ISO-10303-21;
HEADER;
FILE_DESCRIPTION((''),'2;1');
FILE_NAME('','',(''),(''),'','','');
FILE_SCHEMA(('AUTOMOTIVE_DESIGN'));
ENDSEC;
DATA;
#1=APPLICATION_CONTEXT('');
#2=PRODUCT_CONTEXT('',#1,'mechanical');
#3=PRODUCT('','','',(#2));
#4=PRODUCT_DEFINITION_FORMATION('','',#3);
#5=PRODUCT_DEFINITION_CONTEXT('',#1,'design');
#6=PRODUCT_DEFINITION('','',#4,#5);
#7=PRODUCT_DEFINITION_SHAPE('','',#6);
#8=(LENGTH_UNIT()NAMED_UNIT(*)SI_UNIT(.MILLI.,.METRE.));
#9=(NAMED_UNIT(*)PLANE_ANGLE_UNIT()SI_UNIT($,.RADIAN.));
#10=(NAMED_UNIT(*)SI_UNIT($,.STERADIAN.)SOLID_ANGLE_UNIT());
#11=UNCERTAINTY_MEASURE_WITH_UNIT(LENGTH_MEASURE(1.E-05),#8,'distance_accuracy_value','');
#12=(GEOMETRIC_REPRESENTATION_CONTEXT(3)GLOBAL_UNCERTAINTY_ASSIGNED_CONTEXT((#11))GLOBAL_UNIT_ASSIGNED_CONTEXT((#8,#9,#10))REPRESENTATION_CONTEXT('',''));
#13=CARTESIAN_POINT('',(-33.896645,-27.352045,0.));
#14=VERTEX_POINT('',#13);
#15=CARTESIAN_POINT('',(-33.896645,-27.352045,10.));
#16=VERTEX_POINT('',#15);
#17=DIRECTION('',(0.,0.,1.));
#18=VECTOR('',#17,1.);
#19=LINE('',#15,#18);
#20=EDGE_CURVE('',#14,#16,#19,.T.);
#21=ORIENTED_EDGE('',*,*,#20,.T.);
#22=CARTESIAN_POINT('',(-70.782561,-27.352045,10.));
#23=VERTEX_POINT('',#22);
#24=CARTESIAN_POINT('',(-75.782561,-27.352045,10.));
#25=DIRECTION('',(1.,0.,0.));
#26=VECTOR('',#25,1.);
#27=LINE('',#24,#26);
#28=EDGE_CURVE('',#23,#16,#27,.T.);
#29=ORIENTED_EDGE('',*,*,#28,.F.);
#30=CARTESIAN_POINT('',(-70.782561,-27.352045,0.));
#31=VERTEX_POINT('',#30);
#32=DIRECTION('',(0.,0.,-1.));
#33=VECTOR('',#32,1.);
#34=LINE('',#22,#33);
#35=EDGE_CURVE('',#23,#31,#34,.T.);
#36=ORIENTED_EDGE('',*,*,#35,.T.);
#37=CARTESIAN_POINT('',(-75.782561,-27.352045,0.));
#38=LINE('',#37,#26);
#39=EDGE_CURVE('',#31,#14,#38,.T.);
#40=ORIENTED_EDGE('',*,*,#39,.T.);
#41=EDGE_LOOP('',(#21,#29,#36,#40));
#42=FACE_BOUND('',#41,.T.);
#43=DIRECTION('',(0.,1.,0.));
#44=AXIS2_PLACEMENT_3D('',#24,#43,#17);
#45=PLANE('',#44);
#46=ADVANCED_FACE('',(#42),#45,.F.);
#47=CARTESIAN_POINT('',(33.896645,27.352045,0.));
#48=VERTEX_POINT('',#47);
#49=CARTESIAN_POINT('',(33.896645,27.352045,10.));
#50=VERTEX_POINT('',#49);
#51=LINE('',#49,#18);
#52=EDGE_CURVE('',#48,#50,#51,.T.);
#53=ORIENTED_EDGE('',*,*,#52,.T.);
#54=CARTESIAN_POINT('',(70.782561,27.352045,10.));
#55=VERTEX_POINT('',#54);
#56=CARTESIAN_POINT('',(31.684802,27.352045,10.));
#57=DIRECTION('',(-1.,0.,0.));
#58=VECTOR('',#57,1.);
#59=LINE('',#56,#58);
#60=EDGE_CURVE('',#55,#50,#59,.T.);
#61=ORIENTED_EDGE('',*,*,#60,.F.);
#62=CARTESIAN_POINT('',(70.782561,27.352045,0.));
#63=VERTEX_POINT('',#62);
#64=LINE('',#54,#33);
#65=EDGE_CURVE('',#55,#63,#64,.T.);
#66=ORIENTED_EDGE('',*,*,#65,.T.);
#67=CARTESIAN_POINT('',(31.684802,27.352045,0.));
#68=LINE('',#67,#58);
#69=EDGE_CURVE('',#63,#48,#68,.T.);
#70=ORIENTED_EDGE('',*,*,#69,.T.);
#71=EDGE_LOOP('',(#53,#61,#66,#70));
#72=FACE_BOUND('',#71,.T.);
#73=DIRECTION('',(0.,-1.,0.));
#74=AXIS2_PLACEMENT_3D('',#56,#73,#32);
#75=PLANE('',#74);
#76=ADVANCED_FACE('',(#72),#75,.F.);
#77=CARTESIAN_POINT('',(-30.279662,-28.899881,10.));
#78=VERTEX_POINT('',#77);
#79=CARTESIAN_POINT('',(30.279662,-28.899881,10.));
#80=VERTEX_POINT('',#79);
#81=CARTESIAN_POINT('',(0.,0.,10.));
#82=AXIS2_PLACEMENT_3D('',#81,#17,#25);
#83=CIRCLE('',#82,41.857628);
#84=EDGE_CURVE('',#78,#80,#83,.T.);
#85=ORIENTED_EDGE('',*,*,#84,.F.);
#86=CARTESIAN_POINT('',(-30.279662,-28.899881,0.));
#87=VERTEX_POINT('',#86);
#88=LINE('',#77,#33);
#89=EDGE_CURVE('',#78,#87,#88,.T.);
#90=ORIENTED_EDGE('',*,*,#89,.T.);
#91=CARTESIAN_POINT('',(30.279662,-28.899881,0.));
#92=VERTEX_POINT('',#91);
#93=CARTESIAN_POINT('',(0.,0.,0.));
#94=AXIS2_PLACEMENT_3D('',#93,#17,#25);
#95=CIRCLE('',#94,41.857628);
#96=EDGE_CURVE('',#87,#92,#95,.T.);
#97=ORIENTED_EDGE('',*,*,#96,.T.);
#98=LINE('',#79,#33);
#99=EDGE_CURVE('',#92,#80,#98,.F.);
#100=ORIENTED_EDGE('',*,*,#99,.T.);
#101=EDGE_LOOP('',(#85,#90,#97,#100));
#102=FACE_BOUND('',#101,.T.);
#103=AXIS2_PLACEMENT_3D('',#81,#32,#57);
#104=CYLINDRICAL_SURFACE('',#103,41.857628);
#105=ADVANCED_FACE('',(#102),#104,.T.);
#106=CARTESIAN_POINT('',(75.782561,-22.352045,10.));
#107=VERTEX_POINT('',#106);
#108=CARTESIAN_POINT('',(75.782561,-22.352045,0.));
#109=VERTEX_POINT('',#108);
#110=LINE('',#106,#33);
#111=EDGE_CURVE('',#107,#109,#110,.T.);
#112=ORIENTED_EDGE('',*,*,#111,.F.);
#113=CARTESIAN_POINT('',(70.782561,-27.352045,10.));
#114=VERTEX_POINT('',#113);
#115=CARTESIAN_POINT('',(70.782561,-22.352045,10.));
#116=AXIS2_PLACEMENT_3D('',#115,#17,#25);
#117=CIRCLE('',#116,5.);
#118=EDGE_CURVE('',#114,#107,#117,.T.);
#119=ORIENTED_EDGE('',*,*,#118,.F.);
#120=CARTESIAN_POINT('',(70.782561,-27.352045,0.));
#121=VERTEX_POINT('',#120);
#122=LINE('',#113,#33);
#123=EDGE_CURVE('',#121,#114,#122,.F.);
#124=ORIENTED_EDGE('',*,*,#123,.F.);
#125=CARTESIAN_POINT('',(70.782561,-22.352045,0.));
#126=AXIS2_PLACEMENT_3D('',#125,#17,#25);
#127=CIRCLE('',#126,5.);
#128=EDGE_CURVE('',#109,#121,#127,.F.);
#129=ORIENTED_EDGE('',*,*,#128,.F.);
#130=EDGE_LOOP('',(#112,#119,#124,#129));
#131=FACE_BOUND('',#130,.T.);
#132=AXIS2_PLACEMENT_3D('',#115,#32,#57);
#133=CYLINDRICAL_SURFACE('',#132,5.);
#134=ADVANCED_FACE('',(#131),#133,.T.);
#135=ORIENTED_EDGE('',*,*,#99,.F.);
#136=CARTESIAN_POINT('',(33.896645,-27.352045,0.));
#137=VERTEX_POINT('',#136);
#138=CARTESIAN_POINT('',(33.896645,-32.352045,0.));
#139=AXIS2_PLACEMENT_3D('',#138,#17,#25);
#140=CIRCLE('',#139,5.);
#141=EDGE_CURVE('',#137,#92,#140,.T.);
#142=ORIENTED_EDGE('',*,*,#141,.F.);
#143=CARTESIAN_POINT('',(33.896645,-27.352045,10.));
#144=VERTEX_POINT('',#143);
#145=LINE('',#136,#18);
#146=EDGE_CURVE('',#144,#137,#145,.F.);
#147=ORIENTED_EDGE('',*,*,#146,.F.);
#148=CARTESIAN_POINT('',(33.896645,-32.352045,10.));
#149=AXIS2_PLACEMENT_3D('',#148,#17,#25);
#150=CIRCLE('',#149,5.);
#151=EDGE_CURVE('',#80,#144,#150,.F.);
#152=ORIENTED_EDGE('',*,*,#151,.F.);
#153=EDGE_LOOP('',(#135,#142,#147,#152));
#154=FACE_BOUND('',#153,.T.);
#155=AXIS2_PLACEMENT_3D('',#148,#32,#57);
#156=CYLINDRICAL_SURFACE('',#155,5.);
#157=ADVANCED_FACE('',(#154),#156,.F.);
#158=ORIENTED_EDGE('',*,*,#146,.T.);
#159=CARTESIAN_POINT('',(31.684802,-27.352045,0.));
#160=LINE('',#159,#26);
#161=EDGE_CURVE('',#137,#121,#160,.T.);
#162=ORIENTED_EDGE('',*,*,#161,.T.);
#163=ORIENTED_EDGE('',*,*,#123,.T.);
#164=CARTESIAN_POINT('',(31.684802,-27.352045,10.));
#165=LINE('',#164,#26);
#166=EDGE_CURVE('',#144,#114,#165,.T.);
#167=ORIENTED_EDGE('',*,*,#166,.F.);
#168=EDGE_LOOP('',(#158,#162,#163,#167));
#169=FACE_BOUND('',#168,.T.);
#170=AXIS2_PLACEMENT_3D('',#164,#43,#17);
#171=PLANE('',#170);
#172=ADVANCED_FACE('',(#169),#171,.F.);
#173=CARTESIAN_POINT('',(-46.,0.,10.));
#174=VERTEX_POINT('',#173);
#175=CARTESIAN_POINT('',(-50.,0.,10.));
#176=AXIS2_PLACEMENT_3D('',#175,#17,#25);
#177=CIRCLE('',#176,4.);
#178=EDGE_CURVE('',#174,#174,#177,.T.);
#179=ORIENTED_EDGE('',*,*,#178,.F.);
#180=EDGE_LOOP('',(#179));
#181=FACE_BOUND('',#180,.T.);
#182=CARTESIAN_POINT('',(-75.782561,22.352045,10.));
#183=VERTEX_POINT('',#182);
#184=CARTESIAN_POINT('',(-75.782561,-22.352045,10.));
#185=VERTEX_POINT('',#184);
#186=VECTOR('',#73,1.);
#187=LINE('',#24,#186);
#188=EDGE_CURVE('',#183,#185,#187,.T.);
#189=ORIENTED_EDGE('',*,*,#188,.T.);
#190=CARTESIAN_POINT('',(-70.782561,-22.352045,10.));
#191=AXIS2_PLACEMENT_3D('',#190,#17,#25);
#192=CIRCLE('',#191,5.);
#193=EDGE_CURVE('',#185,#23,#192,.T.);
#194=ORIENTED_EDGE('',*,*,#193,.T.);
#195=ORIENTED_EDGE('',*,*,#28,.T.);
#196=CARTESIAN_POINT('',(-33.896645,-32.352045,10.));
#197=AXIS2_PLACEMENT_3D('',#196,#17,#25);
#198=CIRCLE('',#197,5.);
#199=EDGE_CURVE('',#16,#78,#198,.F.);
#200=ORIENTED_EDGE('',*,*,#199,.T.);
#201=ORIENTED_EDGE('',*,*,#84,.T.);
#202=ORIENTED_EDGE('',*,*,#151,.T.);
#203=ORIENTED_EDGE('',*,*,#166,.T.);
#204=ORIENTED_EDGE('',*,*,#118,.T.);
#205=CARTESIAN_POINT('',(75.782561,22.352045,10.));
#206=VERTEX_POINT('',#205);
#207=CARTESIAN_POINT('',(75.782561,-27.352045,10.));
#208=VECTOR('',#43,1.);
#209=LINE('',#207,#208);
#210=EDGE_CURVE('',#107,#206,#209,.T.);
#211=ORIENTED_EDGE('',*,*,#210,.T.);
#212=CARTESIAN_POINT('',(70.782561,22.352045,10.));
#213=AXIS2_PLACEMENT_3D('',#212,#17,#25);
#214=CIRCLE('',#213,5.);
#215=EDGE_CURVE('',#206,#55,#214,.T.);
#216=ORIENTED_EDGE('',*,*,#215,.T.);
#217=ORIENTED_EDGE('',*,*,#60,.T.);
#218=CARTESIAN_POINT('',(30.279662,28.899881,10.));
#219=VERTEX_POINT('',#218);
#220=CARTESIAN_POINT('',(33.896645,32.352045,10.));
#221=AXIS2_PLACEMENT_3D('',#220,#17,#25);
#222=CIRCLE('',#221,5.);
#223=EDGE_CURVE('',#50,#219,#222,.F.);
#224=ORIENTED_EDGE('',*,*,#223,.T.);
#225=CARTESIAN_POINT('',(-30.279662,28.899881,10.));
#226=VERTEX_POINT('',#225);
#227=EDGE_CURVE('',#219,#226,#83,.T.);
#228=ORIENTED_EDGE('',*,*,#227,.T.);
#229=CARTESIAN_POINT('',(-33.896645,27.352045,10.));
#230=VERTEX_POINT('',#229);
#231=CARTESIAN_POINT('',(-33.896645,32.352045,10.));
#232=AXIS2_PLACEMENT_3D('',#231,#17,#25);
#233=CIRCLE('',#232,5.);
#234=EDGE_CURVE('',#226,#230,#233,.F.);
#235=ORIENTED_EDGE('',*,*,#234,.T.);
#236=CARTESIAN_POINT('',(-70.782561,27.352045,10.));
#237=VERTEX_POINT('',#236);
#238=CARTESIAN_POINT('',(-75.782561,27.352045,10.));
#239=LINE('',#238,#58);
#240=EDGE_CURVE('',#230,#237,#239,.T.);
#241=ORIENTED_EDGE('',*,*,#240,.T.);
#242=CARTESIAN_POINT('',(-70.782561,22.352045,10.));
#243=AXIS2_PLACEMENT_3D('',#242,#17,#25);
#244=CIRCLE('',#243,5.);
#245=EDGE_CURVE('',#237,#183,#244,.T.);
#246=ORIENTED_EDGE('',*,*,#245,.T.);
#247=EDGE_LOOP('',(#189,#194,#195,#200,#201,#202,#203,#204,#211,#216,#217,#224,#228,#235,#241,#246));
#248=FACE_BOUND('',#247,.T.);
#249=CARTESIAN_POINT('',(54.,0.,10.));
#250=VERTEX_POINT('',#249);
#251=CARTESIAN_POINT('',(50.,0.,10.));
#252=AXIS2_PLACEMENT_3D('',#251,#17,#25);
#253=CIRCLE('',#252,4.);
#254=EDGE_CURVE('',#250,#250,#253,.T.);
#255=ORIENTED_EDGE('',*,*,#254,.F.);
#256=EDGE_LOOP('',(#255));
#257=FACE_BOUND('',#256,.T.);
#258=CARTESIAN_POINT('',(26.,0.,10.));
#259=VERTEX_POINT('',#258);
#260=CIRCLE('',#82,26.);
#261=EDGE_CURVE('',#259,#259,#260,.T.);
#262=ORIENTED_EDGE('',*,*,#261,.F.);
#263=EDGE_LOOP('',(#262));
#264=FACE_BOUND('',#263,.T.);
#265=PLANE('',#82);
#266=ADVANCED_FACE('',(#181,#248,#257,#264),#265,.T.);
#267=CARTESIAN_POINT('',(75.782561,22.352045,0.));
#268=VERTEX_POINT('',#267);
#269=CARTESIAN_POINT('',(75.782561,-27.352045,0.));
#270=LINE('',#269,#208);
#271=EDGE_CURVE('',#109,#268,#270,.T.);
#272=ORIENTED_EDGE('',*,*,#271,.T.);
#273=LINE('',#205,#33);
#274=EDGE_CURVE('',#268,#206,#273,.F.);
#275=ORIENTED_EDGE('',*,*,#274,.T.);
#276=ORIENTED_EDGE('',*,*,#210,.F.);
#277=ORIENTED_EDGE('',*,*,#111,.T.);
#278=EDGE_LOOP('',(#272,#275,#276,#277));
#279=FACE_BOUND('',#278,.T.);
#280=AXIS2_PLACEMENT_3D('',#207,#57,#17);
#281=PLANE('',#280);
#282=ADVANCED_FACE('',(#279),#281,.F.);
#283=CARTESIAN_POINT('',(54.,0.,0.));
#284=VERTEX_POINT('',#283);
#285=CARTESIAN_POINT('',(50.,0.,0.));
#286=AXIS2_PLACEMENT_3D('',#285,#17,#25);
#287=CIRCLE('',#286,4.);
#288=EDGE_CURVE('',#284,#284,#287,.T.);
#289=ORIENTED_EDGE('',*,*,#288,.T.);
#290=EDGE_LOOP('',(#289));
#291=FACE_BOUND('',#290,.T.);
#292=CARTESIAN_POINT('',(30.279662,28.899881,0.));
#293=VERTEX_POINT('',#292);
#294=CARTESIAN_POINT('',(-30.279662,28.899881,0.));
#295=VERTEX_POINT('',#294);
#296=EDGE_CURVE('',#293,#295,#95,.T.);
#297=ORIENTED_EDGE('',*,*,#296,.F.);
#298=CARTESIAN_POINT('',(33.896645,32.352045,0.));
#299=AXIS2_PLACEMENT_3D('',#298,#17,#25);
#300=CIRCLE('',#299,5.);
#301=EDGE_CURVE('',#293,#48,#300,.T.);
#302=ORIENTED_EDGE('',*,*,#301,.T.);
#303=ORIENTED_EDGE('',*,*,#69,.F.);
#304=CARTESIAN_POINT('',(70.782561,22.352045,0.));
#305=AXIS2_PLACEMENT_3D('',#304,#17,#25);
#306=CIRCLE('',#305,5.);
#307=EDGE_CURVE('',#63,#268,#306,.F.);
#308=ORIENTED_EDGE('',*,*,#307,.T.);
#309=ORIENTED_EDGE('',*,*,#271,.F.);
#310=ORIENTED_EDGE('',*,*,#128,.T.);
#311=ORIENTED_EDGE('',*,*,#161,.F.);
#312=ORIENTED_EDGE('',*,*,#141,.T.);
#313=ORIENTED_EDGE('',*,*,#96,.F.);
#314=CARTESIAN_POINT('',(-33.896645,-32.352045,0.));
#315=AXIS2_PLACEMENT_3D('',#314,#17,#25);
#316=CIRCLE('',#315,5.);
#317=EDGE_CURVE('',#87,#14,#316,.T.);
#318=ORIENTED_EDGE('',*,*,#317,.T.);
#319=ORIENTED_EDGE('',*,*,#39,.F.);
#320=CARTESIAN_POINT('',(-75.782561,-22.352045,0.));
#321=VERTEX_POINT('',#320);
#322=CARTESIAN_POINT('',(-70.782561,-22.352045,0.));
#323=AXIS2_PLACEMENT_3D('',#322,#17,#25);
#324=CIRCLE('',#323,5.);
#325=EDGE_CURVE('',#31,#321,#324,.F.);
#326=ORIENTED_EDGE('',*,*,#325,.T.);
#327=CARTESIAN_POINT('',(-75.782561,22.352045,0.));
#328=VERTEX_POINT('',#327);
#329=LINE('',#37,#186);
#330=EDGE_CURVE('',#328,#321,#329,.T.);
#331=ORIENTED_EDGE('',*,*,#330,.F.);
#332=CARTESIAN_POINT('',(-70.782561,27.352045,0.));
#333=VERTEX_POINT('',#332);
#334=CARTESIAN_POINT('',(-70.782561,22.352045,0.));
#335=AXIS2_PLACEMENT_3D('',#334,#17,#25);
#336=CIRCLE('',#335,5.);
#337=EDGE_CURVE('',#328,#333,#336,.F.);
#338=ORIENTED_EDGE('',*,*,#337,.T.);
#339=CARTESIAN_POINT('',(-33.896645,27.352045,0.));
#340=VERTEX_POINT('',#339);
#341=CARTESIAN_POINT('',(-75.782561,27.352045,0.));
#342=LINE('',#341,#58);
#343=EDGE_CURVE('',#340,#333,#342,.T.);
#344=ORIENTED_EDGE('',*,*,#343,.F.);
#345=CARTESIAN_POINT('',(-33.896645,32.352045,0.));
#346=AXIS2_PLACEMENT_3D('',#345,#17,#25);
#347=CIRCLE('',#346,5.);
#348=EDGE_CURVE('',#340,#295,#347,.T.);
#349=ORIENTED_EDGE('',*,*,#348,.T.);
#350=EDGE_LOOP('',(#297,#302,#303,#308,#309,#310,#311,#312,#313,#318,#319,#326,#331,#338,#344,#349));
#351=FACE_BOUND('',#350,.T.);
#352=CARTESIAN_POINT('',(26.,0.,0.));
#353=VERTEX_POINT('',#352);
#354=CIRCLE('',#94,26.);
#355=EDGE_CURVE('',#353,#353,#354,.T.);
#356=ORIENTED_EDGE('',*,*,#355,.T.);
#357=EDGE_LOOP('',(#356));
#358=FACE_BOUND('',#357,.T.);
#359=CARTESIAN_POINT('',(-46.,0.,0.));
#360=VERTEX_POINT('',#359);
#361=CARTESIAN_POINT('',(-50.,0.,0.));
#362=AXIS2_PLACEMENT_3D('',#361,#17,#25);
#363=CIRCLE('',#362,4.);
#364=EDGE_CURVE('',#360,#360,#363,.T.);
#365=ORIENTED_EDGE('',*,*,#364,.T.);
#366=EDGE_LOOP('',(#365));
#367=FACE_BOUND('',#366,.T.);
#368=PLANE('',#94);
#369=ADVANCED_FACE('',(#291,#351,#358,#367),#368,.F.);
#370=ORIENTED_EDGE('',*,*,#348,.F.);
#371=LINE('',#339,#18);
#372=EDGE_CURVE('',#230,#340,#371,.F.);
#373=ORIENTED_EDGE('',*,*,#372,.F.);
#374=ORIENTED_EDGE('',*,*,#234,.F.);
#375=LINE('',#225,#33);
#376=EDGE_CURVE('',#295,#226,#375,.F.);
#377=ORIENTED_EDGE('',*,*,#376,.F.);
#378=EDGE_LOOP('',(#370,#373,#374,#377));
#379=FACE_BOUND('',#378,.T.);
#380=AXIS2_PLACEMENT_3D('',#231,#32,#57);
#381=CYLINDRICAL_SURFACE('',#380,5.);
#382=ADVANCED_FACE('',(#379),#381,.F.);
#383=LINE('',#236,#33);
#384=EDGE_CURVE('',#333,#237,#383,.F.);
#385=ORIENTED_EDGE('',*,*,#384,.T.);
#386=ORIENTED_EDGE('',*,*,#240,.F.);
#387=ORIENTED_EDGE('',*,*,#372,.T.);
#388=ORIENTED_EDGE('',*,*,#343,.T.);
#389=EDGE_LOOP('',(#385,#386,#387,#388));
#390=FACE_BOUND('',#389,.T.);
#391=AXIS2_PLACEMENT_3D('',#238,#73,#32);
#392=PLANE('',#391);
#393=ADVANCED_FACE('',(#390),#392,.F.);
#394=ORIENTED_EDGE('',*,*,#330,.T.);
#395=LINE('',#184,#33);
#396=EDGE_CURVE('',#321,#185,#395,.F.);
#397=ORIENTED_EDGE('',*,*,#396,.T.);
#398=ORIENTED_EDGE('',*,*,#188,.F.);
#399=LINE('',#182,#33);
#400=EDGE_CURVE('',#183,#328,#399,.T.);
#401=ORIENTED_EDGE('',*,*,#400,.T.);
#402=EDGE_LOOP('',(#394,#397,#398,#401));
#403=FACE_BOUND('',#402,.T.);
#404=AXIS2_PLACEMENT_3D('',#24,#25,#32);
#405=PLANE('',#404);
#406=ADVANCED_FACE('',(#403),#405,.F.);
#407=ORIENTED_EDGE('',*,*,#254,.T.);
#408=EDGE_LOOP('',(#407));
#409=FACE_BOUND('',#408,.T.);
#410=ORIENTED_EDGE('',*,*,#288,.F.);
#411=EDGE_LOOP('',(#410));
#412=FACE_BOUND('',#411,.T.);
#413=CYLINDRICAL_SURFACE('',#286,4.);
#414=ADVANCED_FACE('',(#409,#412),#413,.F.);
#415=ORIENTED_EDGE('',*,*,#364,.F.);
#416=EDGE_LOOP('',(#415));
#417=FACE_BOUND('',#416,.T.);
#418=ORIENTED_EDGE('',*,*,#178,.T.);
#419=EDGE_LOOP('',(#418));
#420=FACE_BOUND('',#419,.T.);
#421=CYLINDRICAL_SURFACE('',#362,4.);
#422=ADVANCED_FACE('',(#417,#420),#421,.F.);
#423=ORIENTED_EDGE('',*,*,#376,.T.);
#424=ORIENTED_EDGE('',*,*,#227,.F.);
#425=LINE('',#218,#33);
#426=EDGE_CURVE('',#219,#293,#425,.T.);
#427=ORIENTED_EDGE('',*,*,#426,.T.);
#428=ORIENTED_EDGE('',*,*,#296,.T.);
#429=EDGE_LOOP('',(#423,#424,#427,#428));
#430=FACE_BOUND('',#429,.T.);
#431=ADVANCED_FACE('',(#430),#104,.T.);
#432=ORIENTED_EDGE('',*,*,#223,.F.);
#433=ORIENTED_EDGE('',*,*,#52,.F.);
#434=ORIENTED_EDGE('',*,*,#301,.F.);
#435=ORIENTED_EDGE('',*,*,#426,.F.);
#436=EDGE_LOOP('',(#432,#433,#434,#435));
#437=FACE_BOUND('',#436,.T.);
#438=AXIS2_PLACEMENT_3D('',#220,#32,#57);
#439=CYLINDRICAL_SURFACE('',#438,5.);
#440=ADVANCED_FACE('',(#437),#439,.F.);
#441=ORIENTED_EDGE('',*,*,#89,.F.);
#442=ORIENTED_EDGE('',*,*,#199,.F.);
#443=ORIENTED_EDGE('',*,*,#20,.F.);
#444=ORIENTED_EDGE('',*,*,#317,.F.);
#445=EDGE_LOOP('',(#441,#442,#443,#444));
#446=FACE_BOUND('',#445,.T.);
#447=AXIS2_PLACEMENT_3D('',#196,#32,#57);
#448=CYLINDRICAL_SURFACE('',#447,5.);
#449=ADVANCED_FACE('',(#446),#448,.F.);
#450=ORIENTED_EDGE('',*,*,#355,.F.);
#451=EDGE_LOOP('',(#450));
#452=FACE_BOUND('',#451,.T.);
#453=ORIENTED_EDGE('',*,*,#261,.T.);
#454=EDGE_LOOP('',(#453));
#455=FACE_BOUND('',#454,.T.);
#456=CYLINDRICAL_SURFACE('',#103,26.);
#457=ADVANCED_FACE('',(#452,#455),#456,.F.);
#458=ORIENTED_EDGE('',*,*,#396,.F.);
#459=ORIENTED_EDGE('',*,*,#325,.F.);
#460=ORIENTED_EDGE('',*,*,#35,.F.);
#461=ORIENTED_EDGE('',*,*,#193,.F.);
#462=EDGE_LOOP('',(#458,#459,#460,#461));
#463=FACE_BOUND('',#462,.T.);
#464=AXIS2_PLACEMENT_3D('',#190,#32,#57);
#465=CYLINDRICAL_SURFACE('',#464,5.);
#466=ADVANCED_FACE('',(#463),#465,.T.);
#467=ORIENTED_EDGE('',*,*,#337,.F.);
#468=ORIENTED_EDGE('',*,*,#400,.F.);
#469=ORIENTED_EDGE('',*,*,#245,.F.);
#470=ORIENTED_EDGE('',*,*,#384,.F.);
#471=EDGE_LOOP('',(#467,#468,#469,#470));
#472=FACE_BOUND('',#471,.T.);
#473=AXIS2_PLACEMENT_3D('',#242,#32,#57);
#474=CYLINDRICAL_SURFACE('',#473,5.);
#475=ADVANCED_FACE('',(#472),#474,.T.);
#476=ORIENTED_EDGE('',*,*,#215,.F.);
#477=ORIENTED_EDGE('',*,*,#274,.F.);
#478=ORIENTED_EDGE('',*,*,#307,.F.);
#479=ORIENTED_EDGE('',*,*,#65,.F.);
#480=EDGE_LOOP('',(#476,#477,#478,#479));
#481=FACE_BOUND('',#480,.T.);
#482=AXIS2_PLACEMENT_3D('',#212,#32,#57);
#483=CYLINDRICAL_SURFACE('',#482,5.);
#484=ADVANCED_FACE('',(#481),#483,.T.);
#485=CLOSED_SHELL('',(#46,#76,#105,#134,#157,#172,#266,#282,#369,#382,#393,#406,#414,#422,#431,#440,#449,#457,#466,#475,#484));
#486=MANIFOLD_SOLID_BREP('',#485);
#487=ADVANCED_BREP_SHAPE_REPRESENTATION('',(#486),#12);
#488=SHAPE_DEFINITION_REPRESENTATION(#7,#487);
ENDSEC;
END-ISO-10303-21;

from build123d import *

# Parameters (mm, degrees)
SKETCH1_R           = 26
BOSS_EXTRUDE1_DEPTH = 10
FILLET1_R           = 5
SKETCH2_R           = 4
CUT_EXTRUDE1_DEPTH  = 10


with BuildPart() as part:
    # Sketch1 → Boss-Extrude1 (new body)
    with BuildSketch(Plane.XY):
        with BuildLine():
            Line((31.684802474, 27.352044719), (75.782561157, 27.352044719))
            Line((75.782561157, 27.352044719), (75.782561157, -27.352044719))
            Line((75.782561157, -27.352044719), (31.684802474, -27.352044719))
            ThreePointArc((31.684802474, -27.352044719), (0, -41.857628434), (-31.684802474, -27.352044719))
            Line((-31.684802474, -27.352044719), (-75.782561157, -27.352044719))
            Line((-75.782561157, -27.352044719), (-75.782561157, 27.352044719))
            Line((-75.782561157, 27.352044719), (-31.684802474, 27.352044719))
            ThreePointArc((-31.684802474, 27.352044719), (0, 41.857628434), (31.684802474, 27.352044719))
        make_face()
        Circle(SKETCH1_R, mode=Mode.SUBTRACT)
    extrude(amount=BOSS_EXTRUDE1_DEPTH)

    # Fillet1
    fillet1_edges = [part.edges().sort_by_distance(p)[0] for p in [
        (75.782561157, -27.352044719, 5),
        (31.684802474, -27.352044719, 5),
        (-31.684802474, -27.352044719, 5),
        (-75.782561157, -27.352044719, 5),
        (-75.782561157, 27.352044719, 5),
        (-31.684802474, 27.352044719, 5),
        (31.684802474, 27.352044719, 5),
        (75.782561157, 27.352044719, 5),
    ]]
    fillet(fillet1_edges, radius=FILLET1_R)

    # Sketch2 → Cut-Extrude1 (cut)
    with BuildSketch(Plane.XY.offset(10)):
        with Locations((-50, 0)):
            Circle(SKETCH2_R)
        with Locations((50, 0)):
            Circle(SKETCH2_R)
    extrude(amount=-CUT_EXTRUDE1_DEPTH, mode=Mode.SUBTRACT)


solid = part.part
